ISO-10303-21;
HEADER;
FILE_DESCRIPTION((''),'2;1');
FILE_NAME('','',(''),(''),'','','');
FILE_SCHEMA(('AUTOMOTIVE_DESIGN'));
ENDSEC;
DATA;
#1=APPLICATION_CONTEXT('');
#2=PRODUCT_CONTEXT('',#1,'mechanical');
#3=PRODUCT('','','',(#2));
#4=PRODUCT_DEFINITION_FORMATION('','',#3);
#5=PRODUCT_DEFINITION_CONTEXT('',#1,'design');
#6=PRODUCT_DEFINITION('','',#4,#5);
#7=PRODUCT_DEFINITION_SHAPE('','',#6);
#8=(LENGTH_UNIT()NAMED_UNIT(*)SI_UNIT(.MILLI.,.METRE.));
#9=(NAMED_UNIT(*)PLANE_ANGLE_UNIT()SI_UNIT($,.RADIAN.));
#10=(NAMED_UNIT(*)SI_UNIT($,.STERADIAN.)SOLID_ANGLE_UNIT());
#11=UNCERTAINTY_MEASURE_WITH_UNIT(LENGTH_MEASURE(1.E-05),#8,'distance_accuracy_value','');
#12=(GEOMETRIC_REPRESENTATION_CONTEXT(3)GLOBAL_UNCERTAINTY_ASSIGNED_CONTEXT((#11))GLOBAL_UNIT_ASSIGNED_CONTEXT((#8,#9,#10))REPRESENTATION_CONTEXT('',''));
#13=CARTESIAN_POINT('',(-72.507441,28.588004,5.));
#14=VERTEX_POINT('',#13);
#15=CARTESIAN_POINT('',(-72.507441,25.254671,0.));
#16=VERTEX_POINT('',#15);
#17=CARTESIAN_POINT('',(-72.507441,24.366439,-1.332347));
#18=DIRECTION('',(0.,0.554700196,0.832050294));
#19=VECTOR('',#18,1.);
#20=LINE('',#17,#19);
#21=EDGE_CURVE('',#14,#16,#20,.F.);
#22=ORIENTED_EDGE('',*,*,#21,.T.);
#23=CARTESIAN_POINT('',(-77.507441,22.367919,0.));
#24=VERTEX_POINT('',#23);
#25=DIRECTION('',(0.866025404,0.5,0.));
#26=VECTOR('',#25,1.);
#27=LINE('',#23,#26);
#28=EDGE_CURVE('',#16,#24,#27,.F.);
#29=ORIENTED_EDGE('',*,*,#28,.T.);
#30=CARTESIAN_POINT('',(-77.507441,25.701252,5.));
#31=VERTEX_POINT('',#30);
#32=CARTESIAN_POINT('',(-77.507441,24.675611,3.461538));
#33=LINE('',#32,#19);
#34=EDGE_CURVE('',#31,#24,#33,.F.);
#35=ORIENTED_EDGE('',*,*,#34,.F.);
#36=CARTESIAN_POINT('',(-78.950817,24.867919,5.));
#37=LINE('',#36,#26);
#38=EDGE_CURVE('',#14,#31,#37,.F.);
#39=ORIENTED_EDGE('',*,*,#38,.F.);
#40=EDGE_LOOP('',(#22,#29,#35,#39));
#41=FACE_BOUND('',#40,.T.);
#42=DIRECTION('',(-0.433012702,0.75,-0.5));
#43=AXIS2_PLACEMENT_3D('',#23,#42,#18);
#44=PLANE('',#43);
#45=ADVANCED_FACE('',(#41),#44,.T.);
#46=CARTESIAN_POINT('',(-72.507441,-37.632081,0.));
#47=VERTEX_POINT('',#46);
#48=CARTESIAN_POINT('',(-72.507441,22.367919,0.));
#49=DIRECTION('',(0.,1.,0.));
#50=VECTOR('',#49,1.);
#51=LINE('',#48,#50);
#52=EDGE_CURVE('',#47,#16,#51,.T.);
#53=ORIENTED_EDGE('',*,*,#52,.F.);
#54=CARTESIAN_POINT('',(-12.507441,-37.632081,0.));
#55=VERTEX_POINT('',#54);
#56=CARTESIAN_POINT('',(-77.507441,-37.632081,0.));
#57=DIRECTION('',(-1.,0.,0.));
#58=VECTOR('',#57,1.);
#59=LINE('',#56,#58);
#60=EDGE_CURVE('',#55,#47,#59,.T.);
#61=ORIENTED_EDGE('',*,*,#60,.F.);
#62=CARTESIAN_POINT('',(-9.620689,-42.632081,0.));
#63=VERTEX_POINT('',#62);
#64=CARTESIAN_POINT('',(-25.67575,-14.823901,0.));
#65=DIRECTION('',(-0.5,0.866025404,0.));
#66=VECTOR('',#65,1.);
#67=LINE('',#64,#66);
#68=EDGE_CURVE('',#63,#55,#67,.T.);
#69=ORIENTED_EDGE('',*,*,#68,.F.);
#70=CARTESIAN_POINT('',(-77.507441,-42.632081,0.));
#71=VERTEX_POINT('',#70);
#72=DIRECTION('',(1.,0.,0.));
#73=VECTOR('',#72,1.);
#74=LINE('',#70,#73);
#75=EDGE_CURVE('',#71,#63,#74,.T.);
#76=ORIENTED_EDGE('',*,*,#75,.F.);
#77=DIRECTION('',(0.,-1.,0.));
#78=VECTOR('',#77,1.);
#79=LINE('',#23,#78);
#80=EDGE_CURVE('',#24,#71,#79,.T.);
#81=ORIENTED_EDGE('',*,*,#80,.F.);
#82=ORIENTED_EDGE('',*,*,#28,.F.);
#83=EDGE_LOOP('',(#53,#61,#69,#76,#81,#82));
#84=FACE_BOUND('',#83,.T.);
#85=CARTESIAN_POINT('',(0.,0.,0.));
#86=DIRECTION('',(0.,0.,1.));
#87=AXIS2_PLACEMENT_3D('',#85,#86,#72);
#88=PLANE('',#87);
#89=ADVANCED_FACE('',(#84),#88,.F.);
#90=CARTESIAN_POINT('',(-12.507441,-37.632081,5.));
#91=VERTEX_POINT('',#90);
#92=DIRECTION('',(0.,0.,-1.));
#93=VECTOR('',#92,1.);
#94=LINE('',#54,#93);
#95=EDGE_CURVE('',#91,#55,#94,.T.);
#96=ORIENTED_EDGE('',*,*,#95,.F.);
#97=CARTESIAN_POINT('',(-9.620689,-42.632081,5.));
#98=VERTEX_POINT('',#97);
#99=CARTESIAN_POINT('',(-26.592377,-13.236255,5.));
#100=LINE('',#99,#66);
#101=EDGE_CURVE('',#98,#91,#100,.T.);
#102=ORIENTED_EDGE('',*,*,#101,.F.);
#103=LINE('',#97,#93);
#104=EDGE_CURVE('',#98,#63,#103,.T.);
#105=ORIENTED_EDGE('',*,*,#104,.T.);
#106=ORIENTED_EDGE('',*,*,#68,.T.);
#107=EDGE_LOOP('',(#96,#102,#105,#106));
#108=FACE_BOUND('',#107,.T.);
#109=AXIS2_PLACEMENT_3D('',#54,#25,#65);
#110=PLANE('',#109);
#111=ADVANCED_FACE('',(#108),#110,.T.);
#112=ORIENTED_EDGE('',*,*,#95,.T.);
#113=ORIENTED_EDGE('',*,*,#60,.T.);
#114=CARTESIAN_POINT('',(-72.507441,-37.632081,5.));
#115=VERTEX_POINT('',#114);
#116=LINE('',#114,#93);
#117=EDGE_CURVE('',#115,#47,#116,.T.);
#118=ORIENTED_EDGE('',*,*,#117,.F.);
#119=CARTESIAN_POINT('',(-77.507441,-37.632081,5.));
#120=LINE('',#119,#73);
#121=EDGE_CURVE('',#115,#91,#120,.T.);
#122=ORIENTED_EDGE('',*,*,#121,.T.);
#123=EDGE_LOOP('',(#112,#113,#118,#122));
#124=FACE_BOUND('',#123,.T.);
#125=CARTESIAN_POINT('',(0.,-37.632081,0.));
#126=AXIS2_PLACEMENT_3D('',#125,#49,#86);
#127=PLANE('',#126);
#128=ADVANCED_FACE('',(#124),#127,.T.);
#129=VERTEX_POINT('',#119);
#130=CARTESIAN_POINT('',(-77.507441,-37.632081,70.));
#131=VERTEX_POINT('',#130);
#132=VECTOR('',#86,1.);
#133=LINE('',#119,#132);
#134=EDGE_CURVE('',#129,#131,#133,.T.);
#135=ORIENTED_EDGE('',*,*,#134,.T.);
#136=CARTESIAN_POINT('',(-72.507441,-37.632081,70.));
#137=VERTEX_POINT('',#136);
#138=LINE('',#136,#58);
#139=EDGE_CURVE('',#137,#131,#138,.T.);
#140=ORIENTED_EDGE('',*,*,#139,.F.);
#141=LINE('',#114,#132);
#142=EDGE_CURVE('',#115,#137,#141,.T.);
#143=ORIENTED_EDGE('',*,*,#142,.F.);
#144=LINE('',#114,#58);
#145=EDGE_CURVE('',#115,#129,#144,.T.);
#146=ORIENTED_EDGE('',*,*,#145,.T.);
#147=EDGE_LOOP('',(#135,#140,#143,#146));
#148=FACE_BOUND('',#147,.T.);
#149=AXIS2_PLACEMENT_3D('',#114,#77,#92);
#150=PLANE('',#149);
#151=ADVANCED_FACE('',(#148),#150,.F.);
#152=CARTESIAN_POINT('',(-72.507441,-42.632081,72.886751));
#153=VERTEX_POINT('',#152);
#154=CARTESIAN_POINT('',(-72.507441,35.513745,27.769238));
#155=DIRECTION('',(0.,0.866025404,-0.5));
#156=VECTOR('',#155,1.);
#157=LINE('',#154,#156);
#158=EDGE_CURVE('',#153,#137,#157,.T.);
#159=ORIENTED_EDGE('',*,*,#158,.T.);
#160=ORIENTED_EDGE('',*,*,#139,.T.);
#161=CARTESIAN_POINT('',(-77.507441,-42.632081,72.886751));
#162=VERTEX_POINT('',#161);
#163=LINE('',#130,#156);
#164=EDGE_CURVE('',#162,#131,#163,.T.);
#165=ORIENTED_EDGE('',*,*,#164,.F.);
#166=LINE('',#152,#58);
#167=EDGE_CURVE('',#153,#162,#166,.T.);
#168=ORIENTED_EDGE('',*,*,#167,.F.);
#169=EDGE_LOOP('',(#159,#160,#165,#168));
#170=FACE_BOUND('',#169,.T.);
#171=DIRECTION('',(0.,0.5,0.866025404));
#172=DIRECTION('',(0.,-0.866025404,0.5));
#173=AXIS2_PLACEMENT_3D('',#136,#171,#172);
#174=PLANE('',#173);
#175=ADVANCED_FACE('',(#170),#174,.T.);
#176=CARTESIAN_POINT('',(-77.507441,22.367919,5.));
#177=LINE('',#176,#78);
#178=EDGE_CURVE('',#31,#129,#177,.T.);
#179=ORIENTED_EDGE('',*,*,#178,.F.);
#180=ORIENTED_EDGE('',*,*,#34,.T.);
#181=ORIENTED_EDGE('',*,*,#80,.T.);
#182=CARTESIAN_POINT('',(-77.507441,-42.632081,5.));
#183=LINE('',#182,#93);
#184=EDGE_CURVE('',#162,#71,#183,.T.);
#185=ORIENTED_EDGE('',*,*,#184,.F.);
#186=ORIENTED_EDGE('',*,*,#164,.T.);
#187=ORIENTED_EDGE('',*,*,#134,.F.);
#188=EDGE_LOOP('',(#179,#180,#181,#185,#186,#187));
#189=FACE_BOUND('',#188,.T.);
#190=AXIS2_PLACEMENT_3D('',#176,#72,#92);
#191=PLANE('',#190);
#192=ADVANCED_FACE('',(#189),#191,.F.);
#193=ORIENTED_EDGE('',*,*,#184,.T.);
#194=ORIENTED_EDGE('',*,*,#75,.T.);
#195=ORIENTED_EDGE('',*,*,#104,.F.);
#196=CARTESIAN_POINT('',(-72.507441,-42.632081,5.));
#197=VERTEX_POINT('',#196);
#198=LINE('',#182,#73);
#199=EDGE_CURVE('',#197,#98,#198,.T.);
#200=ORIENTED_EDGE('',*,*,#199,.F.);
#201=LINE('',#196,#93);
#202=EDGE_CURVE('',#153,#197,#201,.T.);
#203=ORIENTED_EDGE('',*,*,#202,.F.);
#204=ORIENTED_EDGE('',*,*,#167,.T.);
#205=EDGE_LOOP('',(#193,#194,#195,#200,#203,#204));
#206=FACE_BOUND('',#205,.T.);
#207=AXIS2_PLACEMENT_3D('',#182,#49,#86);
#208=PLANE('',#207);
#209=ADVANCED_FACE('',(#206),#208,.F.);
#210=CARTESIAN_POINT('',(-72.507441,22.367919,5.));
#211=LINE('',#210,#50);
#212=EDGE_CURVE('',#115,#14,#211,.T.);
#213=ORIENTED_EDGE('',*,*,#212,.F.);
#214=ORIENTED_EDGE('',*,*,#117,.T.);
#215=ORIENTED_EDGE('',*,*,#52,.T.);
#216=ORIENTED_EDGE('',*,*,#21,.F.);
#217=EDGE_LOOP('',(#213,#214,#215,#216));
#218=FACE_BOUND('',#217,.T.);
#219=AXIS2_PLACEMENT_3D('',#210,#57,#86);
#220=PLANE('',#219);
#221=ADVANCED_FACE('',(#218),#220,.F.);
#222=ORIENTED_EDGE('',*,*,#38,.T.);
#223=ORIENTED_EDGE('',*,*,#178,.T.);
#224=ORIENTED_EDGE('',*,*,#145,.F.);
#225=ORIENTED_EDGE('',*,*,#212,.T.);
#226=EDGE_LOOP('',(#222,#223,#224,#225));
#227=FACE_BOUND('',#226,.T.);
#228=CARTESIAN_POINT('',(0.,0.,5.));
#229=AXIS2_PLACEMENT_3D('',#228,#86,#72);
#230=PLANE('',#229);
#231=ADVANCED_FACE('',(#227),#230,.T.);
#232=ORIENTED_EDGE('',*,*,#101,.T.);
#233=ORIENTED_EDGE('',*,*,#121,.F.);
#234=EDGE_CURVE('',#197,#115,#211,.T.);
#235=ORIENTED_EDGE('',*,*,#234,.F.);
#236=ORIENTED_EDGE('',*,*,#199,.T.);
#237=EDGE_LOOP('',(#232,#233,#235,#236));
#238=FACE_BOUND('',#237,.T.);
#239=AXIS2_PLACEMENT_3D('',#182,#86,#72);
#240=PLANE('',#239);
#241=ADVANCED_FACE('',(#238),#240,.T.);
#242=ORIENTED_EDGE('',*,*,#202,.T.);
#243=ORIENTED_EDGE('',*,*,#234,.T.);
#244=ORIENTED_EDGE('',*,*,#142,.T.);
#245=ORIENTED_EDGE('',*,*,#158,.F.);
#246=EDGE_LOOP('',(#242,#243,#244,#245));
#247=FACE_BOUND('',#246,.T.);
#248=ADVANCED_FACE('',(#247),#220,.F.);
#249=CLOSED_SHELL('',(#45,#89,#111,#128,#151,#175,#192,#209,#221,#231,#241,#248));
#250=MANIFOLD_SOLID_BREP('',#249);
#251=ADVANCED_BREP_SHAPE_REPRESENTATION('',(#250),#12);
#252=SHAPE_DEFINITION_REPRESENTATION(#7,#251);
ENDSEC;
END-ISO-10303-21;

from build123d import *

# Parameters (mm, degrees)
SKETCH1_W           = 5
SKETCH1_H           = 65
BOSS_EXTRUDE1_DEPTH = 5
SKETCH2_W           = 65
SKETCH2_H           = 5
BOSS_EXTRUDE3_DEPTH = 5
SKETCH4_W           = 65
SKETCH4_H           = 5
BOSS_EXTRUDE4_DEPTH = 5
DRAFT3_ANGLE        = 30
DRAFT7_ANGLE        = 30
DRAFT8_ANGLE        = 30
DRAFT9_ANGLE        = 30


with BuildPart() as part:
    # Sketch1 → Boss-Extrude1 (new body)
    with BuildSketch(Plane.XY):
        with Locations((-75.007440829, -10.132080835)):
            Rectangle(SKETCH1_W, SKETCH1_H)
    extrude(amount=BOSS_EXTRUDE1_DEPTH)

    # Sketch2 → Boss-Extrude3 (add)
    with BuildSketch(Plane.ZY.offset(77.507440829)):
        with Locations((37.5, -40.132080835)):
            Rectangle(SKETCH2_W, SKETCH2_H)
    extrude(amount=-BOSS_EXTRUDE3_DEPTH)

    # Sketch4 → Boss-Extrude4 (add)
    with BuildSketch(Plane(origin=(0, -37.632080835, 0), x_dir=(1, 0, 0), z_dir=(0, 1, 0))):
        with Locations((-45.007440829, -2.5)):
            Rectangle(SKETCH4_W, SKETCH4_H)
    extrude(amount=-BOSS_EXTRUDE4_DEPTH)

    # Draft3
    draft3_faces = [part.faces().sort_by_distance(p)[0] for p in [
        (-12.507440829, -40.132080835, 2.5),
    ]]
    draft(draft3_faces, Plane.ZX.offset(-37.632080835), DRAFT3_ANGLE)

    # Draft7
    draft7_faces = [part.faces().sort_by_distance(p)[0] for p in [
        (-75.007440829, -40.132080835, 70),
    ]]
    draft(draft7_faces, Plane(origin=(-72.507440829, -37.632080835, 5), x_dir=(0, 0, 1), z_dir=(0, 1, 0)), DRAFT7_ANGLE)

    # Draft8
    draft8_faces = [part.faces().sort_by_distance(p)[0] for p in [
        (-75.007440829, 22.367919165, 2.5),
    ]]
    draft(draft8_faces, Plane(origin=(-77.507440829, 22.367919165, 5), x_dir=(0, 0, -1), z_dir=(-1, 0, 0)), DRAFT8_ANGLE)

    # Draft9
    draft9_faces = [part.faces().sort_by_distance(p)[0] for p in [
        (-75.007440829, 23.811294838, 2.5),
    ]]
    draft(draft9_faces, Plane(origin=(0, 0, 0), x_dir=(-1, 0, 0), z_dir=(0, 0, -1)), DRAFT9_ANGLE)


solid = part.part
